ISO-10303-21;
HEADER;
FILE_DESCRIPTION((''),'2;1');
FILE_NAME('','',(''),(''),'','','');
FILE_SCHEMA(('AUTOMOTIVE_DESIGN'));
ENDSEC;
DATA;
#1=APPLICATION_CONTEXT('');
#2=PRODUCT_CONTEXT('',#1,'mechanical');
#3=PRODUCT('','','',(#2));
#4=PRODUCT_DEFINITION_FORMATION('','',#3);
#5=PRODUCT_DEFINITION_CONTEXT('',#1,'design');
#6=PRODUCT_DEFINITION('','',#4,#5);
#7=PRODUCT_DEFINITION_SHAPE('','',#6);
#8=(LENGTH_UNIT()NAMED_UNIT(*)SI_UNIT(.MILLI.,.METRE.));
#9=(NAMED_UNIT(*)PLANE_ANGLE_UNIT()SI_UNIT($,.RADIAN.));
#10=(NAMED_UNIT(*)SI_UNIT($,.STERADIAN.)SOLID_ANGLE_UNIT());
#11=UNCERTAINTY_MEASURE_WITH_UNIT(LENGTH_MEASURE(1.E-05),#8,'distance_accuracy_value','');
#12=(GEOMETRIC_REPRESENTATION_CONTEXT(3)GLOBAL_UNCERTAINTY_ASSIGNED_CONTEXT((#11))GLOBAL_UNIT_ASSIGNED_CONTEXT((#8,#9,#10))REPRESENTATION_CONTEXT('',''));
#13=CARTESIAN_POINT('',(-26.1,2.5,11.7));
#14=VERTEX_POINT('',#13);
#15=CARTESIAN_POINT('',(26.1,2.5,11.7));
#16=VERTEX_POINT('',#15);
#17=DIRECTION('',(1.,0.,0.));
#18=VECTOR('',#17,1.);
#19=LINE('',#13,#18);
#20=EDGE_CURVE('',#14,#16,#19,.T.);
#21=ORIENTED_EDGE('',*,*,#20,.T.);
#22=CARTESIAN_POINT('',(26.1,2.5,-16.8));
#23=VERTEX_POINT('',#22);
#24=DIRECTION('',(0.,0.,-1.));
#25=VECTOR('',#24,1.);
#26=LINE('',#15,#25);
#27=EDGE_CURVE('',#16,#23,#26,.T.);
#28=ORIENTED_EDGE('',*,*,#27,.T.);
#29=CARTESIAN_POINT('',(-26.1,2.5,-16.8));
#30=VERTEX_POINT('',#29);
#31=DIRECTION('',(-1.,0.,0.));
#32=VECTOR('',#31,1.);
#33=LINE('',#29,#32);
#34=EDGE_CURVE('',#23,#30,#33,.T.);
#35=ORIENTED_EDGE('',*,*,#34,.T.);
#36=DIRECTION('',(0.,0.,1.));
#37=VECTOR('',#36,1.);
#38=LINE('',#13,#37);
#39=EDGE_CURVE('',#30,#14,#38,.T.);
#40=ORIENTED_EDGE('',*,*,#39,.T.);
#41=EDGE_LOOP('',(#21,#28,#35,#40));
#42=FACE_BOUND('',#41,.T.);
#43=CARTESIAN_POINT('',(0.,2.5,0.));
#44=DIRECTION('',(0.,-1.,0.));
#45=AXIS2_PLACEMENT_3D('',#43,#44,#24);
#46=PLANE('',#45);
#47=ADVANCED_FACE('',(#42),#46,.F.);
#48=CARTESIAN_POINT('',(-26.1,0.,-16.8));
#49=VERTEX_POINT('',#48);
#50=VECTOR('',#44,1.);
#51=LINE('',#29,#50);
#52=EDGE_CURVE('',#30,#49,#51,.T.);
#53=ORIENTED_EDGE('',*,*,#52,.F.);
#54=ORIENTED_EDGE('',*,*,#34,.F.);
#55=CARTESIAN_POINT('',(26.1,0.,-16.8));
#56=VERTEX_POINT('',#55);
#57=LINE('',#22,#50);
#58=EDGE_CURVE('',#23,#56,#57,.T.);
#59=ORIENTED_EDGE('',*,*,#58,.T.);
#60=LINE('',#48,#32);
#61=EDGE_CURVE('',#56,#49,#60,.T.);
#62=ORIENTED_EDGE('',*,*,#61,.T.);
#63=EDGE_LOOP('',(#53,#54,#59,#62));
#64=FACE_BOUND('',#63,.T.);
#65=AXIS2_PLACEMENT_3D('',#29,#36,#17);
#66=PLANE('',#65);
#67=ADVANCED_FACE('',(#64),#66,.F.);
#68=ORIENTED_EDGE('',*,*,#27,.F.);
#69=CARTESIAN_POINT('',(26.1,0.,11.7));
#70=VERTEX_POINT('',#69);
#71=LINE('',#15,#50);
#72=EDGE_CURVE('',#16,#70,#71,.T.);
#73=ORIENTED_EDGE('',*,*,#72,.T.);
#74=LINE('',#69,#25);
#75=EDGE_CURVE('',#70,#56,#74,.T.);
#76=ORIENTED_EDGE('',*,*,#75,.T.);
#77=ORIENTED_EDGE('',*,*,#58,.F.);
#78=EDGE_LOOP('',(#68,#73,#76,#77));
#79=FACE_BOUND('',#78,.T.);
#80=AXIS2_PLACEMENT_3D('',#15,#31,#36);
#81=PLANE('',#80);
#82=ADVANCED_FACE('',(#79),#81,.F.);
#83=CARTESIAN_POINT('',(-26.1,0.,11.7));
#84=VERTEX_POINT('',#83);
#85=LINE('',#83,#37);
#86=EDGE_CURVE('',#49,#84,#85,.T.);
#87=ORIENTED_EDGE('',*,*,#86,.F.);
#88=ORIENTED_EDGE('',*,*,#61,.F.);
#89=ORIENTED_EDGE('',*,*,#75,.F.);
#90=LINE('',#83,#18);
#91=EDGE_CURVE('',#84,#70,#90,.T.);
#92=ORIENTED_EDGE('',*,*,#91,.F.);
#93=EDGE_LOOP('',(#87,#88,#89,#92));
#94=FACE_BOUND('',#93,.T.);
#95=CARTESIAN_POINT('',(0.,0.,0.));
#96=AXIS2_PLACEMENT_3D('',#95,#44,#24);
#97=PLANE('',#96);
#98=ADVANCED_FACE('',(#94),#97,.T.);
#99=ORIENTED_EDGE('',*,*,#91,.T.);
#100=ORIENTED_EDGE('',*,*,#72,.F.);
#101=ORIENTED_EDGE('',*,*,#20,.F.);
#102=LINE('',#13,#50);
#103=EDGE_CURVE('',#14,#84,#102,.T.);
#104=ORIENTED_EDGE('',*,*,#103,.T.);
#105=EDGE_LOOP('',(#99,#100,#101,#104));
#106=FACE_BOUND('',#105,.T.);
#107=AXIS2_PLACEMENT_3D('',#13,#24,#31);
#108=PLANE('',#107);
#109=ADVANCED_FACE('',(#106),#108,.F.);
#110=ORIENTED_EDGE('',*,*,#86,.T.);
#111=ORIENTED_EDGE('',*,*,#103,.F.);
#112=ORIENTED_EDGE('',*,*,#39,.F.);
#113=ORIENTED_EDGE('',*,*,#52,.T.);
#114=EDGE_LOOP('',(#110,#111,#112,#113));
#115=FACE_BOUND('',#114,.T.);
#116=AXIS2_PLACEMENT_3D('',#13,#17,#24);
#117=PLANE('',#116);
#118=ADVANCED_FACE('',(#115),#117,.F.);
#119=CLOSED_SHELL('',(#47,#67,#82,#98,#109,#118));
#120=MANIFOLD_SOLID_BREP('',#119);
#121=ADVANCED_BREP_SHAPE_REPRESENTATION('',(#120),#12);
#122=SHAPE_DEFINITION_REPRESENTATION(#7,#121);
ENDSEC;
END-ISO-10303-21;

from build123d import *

# Parameters (mm, degrees)
SKETCH1_W           = 52.2
SKETCH1_H           = 28.5
SKETCH1_R           = 1
SKETCH1_W_2         = 35.320636832
SKETCH1_H_2         = 5.8
BOSS_EXTRUDE1_DEPTH = 2.5
SKETCH2_W           = 52.2
SKETCH2_H           = 28.5
BOSS_EXTRUDE2_DEPTH = 2.5


with BuildPart() as part:
    # Sketch1 → Boss-Extrude1 (new body)
    with BuildSketch(Plane(origin=(0, 0, 0), x_dir=(1, 0, 0), z_dir=(0, 1, 0))):
        with Locations((0, 2.55)):
            Rectangle(SKETCH1_W, SKETCH1_H)
        with Locations((-22.8, -3.2)):
            Circle(SKETCH1_R, mode=Mode.SUBTRACT)
        with Locations((22.8, -3.2)):
            Circle(SKETCH1_R, mode=Mode.SUBTRACT)
        with Locations((22.8, 8.3)):
            Circle(SKETCH1_R, mode=Mode.SUBTRACT)
        with Locations((-22.8, 8.3)):
            Circle(SKETCH1_R, mode=Mode.SUBTRACT)
        with Locations((0, -4.8)):
            Rectangle(SKETCH1_W_2, SKETCH1_H_2, mode=Mode.SUBTRACT)
        with Locations((0, 9.9)):
            Rectangle(SKETCH1_W_2, SKETCH1_H_2, mode=Mode.SUBTRACT)
    extrude(amount=BOSS_EXTRUDE1_DEPTH)

    # Sketch2 → Boss-Extrude2 (add)
    with BuildSketch(Plane.XZ):
        with Locations((0, -2.55)):
            Rectangle(SKETCH2_W, SKETCH2_H)
    extrude(amount=-BOSS_EXTRUDE2_DEPTH)


solid = part.part
